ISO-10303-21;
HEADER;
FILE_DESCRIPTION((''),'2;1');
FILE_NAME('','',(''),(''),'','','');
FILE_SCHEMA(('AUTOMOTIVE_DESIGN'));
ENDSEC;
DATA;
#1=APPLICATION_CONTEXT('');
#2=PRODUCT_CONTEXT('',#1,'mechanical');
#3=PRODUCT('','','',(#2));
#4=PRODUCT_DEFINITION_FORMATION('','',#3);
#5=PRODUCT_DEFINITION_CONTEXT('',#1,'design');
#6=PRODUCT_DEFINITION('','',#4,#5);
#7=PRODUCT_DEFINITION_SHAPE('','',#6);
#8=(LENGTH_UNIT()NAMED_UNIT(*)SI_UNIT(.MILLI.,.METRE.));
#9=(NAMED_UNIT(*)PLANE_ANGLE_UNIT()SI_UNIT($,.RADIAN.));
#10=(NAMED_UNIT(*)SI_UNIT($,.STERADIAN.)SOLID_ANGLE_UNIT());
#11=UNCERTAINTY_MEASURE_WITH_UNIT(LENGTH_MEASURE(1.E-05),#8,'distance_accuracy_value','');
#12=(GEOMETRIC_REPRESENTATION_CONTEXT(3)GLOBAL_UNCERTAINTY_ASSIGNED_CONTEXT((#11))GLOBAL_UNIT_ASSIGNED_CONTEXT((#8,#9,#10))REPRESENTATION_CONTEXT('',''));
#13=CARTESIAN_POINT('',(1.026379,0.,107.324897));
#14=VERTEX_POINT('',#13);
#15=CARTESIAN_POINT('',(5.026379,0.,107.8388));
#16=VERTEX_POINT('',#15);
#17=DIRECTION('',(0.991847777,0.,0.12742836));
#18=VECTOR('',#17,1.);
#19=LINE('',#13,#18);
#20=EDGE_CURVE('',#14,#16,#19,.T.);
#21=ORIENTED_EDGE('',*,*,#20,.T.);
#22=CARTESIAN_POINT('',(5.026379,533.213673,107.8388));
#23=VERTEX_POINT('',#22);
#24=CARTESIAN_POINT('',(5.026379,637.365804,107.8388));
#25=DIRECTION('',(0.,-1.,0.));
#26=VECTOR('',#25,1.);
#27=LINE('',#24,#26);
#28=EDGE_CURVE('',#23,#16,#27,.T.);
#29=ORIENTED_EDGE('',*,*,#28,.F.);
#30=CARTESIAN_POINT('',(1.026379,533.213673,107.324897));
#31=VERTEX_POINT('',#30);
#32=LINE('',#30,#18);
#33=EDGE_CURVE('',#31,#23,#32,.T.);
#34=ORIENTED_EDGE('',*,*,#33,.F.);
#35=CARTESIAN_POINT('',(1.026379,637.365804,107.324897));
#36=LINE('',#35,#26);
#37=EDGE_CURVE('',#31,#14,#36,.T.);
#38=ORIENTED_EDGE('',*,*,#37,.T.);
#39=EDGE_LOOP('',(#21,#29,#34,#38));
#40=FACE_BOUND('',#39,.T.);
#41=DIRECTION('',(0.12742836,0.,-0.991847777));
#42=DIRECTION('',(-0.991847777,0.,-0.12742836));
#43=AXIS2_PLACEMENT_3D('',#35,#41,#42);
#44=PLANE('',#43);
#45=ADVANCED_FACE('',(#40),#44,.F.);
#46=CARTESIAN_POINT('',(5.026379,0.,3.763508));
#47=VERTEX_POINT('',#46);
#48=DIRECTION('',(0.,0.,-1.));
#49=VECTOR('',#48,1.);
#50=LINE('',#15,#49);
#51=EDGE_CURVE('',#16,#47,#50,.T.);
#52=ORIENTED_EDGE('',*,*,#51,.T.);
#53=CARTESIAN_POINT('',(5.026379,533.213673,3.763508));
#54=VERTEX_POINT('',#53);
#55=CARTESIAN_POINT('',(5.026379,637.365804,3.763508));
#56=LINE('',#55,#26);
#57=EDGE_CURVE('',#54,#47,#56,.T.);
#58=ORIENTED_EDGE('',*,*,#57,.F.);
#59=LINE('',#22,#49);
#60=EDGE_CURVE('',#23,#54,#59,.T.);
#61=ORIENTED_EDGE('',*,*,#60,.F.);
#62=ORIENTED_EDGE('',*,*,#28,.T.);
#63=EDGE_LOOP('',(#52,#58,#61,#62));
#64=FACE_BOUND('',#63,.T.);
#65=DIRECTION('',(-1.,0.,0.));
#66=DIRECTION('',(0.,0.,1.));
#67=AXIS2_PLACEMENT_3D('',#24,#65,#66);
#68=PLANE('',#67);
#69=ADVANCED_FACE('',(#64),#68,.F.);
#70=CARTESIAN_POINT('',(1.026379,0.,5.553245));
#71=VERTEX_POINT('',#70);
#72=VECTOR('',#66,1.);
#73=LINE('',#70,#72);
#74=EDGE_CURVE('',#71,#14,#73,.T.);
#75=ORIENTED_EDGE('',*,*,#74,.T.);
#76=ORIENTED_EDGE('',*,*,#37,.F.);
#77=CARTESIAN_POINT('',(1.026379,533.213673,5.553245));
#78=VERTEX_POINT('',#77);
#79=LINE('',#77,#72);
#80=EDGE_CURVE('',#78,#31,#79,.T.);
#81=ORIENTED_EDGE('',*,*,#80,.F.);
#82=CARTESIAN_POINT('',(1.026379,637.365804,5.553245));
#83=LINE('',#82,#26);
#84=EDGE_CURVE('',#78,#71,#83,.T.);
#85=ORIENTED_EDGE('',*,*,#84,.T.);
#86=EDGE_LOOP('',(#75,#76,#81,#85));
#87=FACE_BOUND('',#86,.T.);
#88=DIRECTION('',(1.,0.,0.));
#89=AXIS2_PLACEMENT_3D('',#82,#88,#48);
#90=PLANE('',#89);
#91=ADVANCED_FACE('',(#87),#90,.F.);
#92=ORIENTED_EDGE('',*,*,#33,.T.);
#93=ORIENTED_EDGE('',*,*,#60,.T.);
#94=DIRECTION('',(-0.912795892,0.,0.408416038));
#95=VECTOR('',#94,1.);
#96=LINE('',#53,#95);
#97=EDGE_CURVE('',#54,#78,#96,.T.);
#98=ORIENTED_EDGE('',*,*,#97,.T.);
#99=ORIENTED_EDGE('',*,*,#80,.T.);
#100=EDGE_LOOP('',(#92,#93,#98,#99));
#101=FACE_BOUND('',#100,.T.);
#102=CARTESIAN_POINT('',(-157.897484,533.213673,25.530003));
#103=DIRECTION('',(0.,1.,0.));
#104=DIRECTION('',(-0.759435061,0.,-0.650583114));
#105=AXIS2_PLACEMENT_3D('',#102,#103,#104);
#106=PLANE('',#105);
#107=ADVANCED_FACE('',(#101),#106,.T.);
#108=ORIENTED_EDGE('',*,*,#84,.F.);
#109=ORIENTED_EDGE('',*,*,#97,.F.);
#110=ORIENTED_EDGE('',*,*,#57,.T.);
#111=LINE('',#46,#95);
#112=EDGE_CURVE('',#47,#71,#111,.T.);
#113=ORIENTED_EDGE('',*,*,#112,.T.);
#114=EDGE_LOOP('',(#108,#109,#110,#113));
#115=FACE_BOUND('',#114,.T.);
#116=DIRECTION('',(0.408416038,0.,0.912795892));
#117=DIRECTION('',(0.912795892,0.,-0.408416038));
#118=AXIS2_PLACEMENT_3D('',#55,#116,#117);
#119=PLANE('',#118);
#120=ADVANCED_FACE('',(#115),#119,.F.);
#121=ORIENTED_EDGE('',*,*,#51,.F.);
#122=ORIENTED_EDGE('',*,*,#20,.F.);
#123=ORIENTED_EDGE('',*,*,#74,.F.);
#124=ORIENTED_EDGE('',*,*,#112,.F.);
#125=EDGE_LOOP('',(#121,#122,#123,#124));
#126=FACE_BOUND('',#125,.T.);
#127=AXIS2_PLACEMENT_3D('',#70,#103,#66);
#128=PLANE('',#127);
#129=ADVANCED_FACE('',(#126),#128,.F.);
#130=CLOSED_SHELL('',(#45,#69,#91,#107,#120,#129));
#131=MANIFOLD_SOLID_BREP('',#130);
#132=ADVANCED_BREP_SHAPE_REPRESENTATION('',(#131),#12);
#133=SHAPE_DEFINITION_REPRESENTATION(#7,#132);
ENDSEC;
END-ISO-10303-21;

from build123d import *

# Parameters (mm, degrees)
EXTRUDE_1_DEPTH = 533.213673317


with BuildPart() as part:
    # Эскиз1 → Вытянуть1 (new body)
    with BuildSketch(Plane(origin=(0, 0, 0), x_dir=(1, 0, 0), z_dir=(0, 1, 0))):
        Polygon((1.026379046, -5.553244715), (1.026379046, -107.324896908), (5.026379046, -107.838799799), (5.026379046, -3.763508183), align=None)
    extrude(amount=EXTRUDE_1_DEPTH)


solid = part.part
